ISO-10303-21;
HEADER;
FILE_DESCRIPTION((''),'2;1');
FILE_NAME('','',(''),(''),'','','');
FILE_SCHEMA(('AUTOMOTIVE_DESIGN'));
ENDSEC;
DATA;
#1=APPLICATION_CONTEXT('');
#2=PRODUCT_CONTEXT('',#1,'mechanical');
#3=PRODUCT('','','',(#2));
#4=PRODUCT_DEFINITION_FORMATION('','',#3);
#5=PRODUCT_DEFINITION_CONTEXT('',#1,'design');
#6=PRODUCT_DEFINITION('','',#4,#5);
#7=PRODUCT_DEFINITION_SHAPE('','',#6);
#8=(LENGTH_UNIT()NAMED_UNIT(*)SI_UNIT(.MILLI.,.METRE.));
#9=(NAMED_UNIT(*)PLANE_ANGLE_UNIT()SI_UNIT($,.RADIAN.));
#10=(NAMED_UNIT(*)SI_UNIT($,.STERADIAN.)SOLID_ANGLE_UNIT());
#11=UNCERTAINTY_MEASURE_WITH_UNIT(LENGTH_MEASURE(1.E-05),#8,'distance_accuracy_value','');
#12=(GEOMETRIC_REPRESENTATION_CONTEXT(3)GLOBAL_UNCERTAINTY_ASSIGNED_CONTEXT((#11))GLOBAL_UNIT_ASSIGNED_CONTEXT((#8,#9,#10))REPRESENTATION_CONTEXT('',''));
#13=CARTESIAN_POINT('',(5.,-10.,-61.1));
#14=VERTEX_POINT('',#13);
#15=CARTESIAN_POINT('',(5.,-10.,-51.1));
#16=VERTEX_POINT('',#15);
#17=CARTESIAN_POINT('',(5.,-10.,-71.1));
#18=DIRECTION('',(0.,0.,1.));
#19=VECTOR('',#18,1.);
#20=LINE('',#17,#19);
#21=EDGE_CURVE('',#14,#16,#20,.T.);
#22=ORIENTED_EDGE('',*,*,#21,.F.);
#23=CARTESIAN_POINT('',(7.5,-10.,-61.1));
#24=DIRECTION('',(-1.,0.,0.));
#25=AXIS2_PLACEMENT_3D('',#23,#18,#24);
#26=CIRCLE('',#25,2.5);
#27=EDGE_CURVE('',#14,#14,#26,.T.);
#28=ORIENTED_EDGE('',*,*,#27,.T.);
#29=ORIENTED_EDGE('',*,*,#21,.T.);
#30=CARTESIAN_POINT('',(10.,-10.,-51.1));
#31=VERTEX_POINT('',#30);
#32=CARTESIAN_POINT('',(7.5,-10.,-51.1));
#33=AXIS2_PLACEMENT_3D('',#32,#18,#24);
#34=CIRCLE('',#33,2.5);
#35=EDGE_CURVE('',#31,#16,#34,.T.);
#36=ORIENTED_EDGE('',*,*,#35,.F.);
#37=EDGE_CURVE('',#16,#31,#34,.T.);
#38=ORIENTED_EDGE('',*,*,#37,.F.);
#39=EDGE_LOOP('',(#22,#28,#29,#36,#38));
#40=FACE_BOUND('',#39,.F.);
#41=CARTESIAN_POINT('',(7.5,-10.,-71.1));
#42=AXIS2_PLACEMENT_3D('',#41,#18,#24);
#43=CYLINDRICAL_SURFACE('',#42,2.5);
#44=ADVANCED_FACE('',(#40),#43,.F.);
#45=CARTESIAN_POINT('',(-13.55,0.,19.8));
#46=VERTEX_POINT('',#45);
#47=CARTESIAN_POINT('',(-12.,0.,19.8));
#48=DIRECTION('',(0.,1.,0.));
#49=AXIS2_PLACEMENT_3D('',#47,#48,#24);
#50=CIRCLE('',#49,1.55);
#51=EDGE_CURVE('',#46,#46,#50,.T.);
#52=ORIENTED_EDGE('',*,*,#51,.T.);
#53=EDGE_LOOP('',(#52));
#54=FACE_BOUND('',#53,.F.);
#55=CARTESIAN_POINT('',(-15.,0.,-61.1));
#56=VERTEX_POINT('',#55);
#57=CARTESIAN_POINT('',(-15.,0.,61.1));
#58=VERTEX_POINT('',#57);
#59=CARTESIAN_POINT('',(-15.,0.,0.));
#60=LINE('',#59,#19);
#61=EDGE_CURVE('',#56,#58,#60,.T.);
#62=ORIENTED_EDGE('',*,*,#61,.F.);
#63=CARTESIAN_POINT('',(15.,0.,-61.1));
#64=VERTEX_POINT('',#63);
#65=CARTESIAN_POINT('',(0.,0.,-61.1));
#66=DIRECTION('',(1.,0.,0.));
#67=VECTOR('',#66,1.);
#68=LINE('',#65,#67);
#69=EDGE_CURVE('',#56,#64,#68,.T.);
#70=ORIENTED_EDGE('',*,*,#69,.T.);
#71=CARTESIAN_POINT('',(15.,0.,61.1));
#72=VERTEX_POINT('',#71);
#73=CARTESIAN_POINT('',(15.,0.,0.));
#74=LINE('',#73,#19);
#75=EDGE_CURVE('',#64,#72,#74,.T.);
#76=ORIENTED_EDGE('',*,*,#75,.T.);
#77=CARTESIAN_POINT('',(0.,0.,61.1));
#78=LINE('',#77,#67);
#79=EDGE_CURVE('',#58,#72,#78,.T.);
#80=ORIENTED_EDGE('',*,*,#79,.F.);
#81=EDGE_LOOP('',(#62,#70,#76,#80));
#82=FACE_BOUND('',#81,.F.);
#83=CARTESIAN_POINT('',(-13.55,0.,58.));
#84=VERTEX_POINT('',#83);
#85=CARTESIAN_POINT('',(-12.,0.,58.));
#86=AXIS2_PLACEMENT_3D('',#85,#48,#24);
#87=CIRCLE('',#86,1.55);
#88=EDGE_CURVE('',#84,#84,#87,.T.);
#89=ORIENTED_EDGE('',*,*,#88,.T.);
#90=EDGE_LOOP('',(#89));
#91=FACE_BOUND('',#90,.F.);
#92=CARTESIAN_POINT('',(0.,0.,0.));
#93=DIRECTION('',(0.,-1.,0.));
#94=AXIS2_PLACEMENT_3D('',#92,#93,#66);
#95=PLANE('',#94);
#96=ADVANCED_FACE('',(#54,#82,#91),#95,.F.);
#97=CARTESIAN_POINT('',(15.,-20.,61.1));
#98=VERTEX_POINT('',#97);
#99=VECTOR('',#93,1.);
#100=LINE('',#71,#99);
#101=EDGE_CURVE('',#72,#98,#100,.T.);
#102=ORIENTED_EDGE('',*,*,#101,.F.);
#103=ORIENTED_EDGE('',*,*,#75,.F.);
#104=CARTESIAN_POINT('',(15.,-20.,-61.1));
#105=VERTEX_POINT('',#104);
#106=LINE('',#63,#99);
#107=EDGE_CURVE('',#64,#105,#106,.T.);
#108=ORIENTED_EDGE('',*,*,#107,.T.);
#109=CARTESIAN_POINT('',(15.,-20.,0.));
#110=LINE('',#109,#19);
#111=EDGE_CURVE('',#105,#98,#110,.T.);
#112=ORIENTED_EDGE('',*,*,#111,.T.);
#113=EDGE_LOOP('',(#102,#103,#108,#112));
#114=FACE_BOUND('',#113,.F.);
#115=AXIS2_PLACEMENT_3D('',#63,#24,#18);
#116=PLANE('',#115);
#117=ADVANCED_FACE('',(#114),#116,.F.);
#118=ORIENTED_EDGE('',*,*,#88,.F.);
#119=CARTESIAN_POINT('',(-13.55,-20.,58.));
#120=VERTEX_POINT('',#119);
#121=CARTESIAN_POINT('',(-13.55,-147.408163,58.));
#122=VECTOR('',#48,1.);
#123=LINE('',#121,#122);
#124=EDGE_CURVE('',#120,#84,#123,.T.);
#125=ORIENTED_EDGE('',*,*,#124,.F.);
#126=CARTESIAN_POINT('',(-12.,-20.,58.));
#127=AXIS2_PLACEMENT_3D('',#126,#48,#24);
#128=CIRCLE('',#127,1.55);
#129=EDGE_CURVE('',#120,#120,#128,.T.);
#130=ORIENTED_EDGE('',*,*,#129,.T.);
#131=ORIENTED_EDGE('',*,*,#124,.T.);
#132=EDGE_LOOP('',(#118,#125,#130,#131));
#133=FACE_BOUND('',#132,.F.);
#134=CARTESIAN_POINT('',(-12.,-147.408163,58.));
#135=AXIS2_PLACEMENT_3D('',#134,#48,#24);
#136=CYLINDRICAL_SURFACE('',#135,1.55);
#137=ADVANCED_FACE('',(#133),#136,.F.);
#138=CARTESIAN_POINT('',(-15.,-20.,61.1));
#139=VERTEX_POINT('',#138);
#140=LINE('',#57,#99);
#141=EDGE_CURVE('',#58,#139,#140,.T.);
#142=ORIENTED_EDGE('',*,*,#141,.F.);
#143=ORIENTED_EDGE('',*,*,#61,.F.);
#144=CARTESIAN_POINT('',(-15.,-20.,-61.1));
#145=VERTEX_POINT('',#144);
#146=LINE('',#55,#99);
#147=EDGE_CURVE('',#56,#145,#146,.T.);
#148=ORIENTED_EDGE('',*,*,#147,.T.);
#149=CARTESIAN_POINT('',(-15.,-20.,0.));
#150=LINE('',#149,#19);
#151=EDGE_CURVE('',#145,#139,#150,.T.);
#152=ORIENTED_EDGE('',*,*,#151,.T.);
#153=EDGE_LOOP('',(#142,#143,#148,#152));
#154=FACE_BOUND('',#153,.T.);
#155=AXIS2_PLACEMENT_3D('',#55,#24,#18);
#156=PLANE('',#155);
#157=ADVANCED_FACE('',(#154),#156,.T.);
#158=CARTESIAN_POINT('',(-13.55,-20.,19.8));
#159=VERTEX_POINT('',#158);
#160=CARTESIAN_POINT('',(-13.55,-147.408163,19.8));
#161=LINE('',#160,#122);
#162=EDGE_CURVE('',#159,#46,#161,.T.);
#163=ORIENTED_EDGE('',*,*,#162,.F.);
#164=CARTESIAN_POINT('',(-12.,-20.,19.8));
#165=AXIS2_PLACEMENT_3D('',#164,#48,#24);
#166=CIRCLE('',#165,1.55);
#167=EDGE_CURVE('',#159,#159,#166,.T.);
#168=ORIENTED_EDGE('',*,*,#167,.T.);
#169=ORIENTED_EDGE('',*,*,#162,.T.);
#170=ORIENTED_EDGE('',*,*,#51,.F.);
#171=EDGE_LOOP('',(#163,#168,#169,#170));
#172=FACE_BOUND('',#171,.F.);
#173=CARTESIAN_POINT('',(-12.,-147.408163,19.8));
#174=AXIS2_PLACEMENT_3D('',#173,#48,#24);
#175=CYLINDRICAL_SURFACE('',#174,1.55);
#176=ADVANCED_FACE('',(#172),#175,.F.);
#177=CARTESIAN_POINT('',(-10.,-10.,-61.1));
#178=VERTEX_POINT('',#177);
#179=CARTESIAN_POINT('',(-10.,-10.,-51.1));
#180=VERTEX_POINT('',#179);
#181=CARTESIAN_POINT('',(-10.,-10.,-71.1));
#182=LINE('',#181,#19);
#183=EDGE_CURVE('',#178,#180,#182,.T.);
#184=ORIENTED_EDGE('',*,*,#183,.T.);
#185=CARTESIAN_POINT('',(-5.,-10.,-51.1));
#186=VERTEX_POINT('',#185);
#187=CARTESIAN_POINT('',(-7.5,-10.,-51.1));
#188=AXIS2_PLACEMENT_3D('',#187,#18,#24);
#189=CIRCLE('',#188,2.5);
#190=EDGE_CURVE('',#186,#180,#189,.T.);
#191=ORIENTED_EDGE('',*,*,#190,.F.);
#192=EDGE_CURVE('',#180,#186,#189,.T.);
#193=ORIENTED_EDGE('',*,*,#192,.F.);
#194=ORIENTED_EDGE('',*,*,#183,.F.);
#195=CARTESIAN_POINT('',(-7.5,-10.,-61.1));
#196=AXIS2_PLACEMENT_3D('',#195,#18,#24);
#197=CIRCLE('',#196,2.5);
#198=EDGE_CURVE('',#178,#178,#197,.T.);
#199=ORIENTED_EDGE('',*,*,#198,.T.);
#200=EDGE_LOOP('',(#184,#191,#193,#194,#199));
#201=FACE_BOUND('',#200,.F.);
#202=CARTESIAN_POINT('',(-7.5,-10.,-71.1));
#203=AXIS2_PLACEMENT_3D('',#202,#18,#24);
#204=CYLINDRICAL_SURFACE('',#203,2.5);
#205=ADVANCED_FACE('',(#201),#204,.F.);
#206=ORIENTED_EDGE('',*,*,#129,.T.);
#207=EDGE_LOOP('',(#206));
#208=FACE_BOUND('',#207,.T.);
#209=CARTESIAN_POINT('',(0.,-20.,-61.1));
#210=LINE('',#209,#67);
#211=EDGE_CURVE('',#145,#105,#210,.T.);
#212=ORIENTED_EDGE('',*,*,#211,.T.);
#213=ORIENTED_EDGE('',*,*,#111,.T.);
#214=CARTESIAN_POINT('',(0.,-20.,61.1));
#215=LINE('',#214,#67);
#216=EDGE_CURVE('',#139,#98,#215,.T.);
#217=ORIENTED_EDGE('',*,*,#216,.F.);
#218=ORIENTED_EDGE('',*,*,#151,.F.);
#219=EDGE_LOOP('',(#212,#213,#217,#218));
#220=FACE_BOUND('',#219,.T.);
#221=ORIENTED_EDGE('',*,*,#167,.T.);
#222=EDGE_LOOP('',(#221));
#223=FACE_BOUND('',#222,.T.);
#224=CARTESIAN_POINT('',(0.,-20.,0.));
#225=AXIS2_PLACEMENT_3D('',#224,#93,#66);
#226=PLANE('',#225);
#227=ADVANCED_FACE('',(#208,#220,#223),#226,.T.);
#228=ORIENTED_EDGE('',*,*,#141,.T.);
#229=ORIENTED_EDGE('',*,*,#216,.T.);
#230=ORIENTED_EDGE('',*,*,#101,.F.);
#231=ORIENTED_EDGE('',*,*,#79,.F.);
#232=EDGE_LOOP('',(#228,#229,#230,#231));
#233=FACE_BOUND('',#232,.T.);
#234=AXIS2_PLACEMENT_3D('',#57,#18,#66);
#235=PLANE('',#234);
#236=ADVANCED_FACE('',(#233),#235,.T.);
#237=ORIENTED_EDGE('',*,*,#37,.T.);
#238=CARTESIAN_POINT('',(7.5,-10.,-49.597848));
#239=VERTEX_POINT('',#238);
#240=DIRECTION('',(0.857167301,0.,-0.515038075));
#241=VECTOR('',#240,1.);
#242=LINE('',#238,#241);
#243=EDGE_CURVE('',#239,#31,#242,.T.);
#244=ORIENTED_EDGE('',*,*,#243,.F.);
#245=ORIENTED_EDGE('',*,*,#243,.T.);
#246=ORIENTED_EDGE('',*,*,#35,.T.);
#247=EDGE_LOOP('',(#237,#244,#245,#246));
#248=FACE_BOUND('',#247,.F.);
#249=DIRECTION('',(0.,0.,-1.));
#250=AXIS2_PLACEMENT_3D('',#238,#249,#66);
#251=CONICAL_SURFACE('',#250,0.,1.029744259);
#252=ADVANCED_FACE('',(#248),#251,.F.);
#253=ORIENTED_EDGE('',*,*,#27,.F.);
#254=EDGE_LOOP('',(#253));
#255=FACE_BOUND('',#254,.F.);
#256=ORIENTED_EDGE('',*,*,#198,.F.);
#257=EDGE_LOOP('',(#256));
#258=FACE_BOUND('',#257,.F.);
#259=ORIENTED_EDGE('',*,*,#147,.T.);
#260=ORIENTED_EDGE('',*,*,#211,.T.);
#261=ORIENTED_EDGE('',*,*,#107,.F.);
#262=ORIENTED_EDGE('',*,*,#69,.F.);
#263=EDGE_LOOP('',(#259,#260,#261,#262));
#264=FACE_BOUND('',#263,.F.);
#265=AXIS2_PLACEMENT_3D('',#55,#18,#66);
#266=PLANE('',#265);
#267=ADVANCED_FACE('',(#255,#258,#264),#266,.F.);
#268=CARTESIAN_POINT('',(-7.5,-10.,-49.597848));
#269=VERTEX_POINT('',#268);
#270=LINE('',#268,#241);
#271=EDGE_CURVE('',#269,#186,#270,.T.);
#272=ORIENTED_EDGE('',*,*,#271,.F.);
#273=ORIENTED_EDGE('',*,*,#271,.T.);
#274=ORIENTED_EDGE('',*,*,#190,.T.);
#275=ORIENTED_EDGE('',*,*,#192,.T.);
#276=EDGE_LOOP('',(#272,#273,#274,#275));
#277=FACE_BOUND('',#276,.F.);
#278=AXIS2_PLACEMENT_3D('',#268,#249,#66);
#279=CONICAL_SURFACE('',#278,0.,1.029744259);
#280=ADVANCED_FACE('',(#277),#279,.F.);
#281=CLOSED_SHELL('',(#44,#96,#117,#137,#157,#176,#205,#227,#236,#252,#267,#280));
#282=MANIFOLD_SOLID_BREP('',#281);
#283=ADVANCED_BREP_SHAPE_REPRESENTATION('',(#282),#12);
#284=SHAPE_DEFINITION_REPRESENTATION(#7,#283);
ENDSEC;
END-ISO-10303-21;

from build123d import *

# Parameters (mm, degrees)
F0_W     = 30
F0_H     = 122.2
F1_DEPTH = 20
F3_D     = 3.1
F5_D     = 5
F5_DEPTH = 10
F5_TIP   = 1.5021515476


with BuildPart() as f1:
    # F0 (on Front) → F1 (new body)
    with BuildSketch(Plane.XZ):
        Rectangle(F0_W, F0_H)
    extrude(amount=F1_DEPTH)

    # F3 (through all)
    with Locations(Plane.XZ.offset(20)):
        with Locations((-12, 58), (-12, 19.8)):
            Hole(F3_D / 2)

    # F5
    with Locations(Plane(origin=(0, 0, -61.1), x_dir=(1, 0, 0), z_dir=(0, 0, -1))):
        with Locations((-7.5, 10), (7.5, 10)):
            Hole(F5_D / 2, depth=F5_DEPTH)
            with Locations((0, 0, -(F5_DEPTH + F5_TIP / 2))):  # 118° drill point
                Cone(0, F5_D / 2, F5_TIP, mode=Mode.SUBTRACT)


solid = f1.part
